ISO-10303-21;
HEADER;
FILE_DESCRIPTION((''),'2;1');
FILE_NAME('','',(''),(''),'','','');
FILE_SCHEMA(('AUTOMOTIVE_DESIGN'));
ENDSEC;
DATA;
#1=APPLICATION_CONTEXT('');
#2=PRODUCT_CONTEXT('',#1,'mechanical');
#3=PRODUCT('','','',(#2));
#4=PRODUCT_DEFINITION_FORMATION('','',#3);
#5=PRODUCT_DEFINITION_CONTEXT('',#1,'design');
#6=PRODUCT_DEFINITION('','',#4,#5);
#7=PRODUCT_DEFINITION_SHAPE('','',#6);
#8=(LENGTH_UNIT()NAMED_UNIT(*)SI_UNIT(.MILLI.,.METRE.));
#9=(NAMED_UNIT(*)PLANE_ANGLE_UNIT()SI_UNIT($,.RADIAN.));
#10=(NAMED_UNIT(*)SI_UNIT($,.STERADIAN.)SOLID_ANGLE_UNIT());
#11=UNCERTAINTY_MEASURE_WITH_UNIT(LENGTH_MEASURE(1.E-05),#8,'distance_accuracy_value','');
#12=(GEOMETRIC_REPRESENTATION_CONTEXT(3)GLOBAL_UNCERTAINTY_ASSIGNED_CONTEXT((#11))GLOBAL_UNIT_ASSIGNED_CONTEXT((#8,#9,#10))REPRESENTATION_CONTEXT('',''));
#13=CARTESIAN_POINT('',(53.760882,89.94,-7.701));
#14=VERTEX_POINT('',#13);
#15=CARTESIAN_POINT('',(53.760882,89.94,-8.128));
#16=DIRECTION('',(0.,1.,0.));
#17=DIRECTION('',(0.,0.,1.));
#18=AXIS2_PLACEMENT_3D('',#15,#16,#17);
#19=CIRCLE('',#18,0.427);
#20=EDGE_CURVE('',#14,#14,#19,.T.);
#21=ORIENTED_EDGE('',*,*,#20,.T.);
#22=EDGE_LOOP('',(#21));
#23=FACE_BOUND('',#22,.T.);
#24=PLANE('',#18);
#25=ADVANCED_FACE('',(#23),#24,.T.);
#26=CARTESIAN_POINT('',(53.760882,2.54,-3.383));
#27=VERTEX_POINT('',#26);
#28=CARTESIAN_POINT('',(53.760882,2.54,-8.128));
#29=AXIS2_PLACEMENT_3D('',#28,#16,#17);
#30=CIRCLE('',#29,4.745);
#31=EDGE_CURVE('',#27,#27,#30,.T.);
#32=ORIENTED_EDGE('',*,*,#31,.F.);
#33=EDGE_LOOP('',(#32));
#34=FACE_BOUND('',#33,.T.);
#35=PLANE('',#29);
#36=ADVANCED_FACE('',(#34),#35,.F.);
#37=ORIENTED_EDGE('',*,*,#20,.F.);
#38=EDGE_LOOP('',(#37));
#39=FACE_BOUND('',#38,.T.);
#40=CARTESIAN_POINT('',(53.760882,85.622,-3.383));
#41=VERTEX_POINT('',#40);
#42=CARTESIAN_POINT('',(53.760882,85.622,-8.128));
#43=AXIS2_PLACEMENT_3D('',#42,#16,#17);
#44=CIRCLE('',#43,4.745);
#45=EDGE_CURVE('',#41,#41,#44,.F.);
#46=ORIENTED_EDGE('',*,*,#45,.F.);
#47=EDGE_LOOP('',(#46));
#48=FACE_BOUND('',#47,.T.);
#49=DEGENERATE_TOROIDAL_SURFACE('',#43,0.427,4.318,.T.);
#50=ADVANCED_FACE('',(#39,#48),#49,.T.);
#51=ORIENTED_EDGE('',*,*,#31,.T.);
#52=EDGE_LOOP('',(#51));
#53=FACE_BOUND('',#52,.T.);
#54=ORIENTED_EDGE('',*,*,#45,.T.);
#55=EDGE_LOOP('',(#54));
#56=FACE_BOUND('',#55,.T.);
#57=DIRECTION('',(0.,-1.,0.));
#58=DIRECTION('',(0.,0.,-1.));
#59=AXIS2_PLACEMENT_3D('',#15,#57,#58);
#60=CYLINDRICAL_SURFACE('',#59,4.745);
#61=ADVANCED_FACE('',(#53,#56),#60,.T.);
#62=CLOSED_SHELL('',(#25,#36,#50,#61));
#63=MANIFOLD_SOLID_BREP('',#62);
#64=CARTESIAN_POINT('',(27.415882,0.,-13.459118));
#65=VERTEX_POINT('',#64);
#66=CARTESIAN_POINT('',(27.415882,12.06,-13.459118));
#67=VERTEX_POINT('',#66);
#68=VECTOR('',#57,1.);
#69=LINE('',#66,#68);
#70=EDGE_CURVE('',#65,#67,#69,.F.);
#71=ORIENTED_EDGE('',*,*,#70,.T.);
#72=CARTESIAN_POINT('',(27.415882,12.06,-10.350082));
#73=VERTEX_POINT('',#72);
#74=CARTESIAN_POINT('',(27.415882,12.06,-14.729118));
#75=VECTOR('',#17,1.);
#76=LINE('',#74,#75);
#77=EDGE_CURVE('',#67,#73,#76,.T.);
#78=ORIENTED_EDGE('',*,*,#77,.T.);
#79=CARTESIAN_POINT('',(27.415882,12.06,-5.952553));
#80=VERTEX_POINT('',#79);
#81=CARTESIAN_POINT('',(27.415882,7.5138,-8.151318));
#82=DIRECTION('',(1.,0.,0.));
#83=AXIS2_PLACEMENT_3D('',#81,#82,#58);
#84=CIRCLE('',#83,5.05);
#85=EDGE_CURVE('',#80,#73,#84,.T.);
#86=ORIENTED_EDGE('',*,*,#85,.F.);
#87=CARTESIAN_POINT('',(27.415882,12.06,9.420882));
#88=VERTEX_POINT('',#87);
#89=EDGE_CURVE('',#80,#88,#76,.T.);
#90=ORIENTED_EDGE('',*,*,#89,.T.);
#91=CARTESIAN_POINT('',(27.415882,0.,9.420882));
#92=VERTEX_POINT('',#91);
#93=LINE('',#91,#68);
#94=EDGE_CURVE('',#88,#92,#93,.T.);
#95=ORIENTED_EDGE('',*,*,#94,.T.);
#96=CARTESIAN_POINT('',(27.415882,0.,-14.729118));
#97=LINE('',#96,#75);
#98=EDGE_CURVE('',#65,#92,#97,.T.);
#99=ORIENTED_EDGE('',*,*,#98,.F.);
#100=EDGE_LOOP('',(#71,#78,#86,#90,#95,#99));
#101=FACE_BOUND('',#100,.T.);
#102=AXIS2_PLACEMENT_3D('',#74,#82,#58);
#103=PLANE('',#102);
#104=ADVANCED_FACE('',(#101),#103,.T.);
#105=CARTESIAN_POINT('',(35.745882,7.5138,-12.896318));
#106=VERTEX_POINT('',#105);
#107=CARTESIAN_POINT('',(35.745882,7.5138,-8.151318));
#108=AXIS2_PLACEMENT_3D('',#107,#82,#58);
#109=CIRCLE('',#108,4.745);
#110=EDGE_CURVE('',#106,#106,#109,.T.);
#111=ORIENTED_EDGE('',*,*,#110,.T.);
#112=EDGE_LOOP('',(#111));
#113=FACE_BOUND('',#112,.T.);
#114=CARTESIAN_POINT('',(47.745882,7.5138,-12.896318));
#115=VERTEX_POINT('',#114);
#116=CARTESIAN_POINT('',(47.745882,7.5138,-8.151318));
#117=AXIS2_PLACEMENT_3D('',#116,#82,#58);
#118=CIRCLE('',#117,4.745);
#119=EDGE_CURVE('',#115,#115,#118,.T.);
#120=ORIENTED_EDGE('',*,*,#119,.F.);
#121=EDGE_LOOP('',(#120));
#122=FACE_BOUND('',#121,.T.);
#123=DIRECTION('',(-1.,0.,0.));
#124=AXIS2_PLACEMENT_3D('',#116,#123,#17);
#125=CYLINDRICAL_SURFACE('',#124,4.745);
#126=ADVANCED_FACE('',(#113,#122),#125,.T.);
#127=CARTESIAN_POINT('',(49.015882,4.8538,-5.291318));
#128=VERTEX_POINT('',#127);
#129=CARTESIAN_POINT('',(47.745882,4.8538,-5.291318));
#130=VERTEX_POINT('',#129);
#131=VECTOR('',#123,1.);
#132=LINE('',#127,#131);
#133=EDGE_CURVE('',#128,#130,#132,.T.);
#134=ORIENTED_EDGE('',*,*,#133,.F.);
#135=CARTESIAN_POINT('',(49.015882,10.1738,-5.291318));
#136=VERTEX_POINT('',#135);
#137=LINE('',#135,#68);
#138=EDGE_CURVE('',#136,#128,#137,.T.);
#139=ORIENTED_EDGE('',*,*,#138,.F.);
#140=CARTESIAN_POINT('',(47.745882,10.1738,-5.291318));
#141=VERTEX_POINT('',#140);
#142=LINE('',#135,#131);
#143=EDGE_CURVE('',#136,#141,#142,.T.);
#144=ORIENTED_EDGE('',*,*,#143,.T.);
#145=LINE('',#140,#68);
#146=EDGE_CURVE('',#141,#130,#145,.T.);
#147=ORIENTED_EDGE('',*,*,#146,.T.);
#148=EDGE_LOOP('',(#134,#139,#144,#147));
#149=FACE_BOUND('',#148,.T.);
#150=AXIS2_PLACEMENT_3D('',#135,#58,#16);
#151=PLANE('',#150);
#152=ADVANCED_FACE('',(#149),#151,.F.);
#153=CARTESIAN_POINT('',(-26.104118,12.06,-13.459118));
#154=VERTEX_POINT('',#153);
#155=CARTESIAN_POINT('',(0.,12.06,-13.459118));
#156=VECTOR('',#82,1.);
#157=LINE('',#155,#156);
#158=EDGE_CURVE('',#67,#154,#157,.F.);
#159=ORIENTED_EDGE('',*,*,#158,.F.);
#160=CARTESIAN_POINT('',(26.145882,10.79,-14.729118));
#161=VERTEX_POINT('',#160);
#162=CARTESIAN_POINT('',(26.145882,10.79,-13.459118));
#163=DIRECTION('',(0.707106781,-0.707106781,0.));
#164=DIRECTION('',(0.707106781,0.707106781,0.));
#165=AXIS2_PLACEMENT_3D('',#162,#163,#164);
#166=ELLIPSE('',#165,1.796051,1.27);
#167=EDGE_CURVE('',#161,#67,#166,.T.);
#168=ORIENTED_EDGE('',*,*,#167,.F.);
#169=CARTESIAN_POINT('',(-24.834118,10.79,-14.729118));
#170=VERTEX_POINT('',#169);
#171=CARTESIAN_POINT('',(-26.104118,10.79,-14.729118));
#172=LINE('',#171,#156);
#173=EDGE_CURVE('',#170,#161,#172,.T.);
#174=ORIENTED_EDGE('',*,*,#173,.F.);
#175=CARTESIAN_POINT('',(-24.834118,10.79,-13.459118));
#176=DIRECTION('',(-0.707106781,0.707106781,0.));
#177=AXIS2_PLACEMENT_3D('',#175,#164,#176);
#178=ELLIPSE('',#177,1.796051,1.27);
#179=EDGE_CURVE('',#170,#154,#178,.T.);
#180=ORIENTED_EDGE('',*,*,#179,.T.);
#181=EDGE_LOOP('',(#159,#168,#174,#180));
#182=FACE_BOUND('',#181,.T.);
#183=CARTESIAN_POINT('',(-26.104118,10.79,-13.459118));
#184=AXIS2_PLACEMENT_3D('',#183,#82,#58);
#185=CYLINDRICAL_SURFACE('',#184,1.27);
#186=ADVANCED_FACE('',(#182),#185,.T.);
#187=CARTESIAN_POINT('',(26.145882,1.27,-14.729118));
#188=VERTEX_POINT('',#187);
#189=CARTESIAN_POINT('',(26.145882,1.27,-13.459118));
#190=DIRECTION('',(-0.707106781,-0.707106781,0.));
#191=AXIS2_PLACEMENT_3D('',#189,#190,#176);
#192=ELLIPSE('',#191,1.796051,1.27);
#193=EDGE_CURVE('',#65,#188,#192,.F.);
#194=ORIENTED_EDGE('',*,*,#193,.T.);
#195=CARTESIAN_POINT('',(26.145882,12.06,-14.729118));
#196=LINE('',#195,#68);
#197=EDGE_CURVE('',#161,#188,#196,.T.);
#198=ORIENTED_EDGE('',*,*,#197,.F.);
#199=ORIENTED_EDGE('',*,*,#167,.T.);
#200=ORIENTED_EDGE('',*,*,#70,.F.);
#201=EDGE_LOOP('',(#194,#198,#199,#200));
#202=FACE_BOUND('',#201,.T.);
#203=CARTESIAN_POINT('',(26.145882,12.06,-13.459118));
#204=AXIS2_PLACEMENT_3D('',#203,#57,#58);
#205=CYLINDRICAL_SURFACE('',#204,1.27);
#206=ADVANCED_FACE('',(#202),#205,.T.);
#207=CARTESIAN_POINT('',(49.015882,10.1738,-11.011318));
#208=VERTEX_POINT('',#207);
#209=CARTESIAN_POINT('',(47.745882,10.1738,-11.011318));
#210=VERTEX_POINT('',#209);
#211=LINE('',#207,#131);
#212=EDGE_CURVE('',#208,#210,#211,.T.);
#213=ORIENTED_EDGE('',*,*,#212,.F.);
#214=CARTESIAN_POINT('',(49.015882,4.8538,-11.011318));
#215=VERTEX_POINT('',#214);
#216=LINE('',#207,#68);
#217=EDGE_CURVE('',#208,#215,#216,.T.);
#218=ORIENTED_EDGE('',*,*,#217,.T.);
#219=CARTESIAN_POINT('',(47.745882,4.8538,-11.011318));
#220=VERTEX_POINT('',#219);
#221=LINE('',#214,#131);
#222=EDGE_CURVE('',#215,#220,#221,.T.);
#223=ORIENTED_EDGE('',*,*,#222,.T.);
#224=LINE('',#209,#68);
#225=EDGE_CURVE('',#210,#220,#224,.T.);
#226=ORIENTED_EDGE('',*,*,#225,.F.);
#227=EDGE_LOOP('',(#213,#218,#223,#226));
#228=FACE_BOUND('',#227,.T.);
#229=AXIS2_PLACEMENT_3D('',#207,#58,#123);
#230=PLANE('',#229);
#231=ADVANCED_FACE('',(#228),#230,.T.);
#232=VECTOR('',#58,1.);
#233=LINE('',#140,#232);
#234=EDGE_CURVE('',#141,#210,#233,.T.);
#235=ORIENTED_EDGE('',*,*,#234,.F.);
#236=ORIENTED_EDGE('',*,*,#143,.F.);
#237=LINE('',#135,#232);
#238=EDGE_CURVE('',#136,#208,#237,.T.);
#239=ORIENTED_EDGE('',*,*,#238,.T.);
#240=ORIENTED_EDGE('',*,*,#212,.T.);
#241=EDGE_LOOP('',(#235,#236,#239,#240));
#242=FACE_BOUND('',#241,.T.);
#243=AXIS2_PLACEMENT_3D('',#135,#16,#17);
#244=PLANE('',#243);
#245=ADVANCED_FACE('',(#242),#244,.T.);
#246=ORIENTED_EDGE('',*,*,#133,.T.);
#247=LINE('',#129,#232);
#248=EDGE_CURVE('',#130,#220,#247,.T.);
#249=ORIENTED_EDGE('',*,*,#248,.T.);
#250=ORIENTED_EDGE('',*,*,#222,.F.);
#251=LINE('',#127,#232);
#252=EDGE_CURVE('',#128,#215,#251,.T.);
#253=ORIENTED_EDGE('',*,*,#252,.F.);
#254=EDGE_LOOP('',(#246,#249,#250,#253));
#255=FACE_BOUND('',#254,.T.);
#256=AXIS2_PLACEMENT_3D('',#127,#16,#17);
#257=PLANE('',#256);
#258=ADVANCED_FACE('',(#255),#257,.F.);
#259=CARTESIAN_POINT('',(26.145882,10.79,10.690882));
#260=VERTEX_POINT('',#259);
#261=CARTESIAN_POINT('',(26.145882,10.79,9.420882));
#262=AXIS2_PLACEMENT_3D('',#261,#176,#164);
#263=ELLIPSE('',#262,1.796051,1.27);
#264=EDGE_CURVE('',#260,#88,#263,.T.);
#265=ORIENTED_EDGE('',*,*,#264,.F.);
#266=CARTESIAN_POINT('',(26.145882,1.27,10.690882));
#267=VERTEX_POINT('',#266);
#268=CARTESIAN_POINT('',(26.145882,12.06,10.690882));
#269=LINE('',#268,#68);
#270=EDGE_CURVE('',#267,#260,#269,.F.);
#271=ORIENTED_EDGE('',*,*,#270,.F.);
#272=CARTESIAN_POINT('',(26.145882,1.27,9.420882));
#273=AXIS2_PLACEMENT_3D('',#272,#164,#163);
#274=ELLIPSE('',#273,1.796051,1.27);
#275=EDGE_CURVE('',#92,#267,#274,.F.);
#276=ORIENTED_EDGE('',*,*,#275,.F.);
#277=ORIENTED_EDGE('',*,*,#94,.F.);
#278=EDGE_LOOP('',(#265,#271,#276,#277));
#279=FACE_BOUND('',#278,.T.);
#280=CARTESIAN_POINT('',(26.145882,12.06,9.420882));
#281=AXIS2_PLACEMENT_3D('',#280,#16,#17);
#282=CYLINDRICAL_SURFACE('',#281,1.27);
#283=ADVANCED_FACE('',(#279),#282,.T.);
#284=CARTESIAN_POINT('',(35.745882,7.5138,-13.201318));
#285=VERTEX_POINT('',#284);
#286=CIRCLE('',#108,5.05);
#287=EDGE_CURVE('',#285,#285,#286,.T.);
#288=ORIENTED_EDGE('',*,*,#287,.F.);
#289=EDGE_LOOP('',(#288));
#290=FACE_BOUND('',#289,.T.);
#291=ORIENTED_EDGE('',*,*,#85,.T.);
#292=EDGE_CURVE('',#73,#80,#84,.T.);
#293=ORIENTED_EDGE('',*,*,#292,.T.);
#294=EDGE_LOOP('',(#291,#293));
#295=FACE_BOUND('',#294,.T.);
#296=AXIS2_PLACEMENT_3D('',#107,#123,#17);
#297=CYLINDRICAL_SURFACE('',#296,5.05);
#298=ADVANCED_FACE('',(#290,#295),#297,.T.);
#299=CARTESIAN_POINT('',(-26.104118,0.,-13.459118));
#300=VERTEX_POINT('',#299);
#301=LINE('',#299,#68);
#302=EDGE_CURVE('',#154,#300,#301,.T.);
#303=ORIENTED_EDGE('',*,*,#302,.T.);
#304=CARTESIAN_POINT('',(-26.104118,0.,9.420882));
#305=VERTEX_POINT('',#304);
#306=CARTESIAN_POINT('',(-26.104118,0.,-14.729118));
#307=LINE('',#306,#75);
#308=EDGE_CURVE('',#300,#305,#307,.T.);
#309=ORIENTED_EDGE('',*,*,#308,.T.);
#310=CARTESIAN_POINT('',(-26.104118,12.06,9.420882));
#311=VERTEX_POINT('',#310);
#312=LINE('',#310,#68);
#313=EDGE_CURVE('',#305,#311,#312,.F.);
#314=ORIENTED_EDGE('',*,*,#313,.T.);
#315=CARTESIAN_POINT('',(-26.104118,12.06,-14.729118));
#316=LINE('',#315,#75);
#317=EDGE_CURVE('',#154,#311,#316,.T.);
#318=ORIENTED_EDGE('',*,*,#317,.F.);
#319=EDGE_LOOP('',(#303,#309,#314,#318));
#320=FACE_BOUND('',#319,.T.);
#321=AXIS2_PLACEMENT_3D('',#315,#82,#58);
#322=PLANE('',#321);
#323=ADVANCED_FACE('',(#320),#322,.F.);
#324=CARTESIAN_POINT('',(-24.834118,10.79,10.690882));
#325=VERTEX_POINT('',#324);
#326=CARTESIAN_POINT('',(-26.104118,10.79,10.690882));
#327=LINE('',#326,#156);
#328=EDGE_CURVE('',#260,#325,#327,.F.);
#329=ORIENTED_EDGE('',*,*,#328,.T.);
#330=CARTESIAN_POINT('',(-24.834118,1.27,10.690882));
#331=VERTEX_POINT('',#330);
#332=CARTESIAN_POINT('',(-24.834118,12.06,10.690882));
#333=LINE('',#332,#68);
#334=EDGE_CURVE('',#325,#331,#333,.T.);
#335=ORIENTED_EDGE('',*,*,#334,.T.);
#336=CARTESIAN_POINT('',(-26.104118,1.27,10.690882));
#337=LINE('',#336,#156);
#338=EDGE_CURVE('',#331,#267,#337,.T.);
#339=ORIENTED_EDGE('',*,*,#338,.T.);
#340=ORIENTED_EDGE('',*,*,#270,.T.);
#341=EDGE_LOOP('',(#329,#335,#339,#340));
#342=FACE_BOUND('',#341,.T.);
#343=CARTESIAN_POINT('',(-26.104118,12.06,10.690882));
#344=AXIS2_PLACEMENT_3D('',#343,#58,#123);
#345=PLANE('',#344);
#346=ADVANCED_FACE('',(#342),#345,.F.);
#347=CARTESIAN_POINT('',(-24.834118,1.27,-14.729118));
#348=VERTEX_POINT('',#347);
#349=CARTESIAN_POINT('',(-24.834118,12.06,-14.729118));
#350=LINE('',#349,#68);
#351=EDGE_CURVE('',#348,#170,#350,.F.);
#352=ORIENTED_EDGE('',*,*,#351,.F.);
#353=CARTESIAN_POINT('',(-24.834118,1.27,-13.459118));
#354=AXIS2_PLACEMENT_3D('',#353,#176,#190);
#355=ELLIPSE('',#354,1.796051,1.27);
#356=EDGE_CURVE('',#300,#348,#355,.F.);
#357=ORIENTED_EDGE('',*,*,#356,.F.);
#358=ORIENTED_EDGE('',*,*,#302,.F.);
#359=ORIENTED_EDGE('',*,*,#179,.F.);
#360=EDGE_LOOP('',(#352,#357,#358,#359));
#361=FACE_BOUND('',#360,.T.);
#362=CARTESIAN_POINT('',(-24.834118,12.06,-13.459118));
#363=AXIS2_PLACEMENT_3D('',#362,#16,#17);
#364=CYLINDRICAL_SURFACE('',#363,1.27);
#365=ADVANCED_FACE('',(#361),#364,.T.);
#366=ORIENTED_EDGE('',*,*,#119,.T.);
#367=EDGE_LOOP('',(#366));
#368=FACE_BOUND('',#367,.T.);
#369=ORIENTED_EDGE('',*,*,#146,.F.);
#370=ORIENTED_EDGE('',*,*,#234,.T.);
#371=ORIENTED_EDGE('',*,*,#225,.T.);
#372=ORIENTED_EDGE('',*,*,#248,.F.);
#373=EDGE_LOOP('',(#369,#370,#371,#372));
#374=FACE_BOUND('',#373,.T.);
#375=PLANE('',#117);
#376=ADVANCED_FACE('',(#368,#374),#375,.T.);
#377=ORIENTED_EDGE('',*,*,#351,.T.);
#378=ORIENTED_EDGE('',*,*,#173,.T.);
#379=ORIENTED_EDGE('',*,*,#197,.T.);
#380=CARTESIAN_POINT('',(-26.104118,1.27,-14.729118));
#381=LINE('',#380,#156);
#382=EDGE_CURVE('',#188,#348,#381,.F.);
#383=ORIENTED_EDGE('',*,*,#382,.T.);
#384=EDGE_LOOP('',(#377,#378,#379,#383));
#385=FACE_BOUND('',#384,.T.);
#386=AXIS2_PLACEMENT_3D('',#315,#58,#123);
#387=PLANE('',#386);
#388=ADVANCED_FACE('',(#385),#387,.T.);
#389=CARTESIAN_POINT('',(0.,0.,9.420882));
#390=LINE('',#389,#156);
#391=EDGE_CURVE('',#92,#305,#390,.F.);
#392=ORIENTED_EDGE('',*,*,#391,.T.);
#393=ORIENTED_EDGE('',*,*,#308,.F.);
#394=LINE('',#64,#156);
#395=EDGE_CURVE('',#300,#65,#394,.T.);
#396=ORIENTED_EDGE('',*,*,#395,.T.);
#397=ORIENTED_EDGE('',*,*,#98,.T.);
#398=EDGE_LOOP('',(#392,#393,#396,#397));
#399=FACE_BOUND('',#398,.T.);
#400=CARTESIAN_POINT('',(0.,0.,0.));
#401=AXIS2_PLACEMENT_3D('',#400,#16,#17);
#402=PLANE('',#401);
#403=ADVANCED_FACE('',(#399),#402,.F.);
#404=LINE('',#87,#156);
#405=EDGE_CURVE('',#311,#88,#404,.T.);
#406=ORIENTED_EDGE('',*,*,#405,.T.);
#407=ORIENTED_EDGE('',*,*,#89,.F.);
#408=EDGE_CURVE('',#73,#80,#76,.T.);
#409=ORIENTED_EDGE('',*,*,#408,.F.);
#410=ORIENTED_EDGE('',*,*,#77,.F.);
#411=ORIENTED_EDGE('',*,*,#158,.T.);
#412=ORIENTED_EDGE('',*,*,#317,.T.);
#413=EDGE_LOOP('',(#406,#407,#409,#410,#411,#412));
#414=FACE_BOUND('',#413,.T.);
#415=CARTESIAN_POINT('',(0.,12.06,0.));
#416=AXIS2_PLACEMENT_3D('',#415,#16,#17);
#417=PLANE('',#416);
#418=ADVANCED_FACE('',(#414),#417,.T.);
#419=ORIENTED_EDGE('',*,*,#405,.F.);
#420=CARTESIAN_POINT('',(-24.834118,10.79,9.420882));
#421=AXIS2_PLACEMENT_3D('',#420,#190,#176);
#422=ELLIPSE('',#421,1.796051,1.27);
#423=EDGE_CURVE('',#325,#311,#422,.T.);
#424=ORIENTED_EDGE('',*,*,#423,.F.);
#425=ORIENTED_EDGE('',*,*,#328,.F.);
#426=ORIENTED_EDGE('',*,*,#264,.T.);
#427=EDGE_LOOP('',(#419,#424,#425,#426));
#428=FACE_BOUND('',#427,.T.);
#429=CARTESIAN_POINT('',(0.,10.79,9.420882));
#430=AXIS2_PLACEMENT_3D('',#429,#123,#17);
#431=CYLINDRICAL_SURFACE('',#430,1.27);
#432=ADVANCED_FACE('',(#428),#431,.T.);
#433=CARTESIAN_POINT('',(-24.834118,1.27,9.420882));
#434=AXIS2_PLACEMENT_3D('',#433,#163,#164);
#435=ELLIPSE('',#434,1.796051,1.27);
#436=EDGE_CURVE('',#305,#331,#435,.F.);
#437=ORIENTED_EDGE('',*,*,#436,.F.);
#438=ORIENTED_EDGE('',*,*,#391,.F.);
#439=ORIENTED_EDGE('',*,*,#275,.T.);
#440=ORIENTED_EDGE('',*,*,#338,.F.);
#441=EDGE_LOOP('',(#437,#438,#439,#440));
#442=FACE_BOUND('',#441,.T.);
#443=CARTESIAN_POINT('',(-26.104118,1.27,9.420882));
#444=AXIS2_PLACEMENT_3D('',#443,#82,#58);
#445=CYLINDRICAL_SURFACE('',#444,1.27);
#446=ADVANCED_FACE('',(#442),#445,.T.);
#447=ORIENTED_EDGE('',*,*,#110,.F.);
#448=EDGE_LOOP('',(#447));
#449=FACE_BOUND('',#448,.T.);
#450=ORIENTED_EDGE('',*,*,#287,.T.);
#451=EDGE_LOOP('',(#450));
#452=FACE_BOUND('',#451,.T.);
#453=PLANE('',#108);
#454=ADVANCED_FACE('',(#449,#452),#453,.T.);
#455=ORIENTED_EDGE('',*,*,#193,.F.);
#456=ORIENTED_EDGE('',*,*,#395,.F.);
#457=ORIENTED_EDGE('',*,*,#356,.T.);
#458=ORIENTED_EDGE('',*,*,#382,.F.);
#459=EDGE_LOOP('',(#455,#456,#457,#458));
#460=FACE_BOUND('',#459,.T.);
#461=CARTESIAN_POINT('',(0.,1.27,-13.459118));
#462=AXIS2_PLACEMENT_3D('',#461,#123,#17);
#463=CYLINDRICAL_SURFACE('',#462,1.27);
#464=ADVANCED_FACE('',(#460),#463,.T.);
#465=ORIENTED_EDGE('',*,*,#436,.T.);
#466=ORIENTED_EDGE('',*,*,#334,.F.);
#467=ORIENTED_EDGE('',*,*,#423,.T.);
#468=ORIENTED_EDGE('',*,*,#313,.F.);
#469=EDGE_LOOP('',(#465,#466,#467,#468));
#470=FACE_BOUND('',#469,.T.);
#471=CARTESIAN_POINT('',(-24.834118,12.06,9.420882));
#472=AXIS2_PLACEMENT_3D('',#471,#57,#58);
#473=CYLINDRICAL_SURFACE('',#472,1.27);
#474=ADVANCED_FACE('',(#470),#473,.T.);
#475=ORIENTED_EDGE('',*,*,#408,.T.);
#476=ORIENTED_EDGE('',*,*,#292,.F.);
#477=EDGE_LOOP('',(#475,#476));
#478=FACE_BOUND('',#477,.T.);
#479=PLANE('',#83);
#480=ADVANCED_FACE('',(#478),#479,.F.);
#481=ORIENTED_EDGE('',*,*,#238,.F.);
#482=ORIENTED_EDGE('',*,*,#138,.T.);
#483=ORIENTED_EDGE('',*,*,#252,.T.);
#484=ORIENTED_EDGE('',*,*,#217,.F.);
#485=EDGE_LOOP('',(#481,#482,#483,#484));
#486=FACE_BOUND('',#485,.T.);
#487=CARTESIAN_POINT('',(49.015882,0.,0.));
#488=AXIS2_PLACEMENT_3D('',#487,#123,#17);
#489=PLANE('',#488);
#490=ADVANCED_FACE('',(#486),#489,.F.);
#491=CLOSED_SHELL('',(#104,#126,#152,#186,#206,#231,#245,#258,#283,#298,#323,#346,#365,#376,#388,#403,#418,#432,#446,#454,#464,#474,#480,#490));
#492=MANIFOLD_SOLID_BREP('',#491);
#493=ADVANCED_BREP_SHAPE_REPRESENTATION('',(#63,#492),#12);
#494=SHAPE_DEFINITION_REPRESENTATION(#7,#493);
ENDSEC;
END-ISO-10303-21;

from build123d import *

# Parameters (mm, degrees)
SKETCH1_W           = 53.52
SKETCH1_H           = 25.42
BOSS_EXTRUDE2_DEPTH = 12.06
SKETCH2_R           = 5.05
BOSS_EXTRUDE3_DEPTH = 8.33
FILLET2_R           = 1.27
FILLET3_R           = 1.27
SKETCH3_R           = 4.745
BOSS_EXTRUDE4_DEPTH = 12
SKETCH10_R          = 4.745000035
BOSS_EXTRUDE8_DEPTH = 87.4
FILLET4_R           = 4.318
SKETCH4_W           = 5.72
SKETCH4_H           = 5.32
BOSS_EXTRUDE9_DEPTH = 1.27


with BuildPart() as part:
    # Sketch1 → Boss-Extrude2 (new body)
    with BuildSketch(Plane(origin=(0, 0, 0), x_dir=(1, 0, 0), z_dir=(0, 1, 0))):
        with Locations((0.655882353, 2.019117647)):
            Rectangle(SKETCH1_W, SKETCH1_H)
    extrude(amount=BOSS_EXTRUDE2_DEPTH)

    # Sketch2 → Boss-Extrude3 (add)
    with BuildSketch(Plane(origin=(27.415882353, 0, 0), x_dir=(0, 0, -1), z_dir=(1, 0, 0))):
        with Locations(Location((8.151317647, 7.5138, 0), (0, 0, 115.810680581))):
            Circle(SKETCH2_R)
    extrude(amount=BOSS_EXTRUDE3_DEPTH)

    # Fillet2
    fillet2_edges = [part.edges().sort_by_distance(p)[0] for p in [
        (0.655882353, 0, 10.690882353),
        (0.655882353, 12.06, 10.690882353),
        (27.415882353, 6.03, 10.690882353),
        (-26.104117647, 6.03, 10.690882353),
    ]]
    fillet(fillet2_edges, radius=FILLET2_R)

    # Fillet3
    fillet3_edges = [part.edges().sort_by_distance(p)[0] for p in [
        (0.655882353, 12.06, -14.729117647),
        (0.655882353, 0, -14.729117647),
        (-26.104117647, 6.03, -14.729117647),
        (27.415882353, 6.03, -14.729117647),
    ]]
    fillet(fillet3_edges, radius=FILLET3_R)

    # Sketch3 → Boss-Extrude4 (add)
    with BuildSketch(Plane(origin=(35.745882353, 0, 0), x_dir=(0, 0, -1), z_dir=(1, 0, 0))):
        with Locations((8.151317647, 7.5138)):
            Circle(SKETCH3_R)
    extrude(amount=BOSS_EXTRUDE4_DEPTH)

    # Sketch4 → Boss-Extrude9 (add)
    with BuildSketch(Plane(origin=(47.745882353, 0, 0), x_dir=(0, 0, -1), z_dir=(1, 0, 0))):
        with Locations((8.151317647, 7.5138)):
            Rectangle(SKETCH4_W, SKETCH4_H)
    extrude(amount=BOSS_EXTRUDE9_DEPTH)


with BuildPart() as body_2:
    # Sketch10 → Boss-Extrude8 (new body)
    with BuildSketch(Plane(origin=(0, 2.54, 0), x_dir=(1, 0, 0), z_dir=(0, 1, 0))):
        with Locations(Location((53.760882261, 8.128, 0), (0, 0, 270))):
            Circle(SKETCH10_R)
    extrude(amount=BOSS_EXTRUDE8_DEPTH)

    # Fillet4
    fillet4_edges = [body_2.edges().sort_by_distance(p)[0] for p in [
        (53.760882261, 89.94, -12.873000035),
    ]]
    fillet(fillet4_edges, radius=FILLET4_R)


solid = Compound([part.part, body_2.part])
